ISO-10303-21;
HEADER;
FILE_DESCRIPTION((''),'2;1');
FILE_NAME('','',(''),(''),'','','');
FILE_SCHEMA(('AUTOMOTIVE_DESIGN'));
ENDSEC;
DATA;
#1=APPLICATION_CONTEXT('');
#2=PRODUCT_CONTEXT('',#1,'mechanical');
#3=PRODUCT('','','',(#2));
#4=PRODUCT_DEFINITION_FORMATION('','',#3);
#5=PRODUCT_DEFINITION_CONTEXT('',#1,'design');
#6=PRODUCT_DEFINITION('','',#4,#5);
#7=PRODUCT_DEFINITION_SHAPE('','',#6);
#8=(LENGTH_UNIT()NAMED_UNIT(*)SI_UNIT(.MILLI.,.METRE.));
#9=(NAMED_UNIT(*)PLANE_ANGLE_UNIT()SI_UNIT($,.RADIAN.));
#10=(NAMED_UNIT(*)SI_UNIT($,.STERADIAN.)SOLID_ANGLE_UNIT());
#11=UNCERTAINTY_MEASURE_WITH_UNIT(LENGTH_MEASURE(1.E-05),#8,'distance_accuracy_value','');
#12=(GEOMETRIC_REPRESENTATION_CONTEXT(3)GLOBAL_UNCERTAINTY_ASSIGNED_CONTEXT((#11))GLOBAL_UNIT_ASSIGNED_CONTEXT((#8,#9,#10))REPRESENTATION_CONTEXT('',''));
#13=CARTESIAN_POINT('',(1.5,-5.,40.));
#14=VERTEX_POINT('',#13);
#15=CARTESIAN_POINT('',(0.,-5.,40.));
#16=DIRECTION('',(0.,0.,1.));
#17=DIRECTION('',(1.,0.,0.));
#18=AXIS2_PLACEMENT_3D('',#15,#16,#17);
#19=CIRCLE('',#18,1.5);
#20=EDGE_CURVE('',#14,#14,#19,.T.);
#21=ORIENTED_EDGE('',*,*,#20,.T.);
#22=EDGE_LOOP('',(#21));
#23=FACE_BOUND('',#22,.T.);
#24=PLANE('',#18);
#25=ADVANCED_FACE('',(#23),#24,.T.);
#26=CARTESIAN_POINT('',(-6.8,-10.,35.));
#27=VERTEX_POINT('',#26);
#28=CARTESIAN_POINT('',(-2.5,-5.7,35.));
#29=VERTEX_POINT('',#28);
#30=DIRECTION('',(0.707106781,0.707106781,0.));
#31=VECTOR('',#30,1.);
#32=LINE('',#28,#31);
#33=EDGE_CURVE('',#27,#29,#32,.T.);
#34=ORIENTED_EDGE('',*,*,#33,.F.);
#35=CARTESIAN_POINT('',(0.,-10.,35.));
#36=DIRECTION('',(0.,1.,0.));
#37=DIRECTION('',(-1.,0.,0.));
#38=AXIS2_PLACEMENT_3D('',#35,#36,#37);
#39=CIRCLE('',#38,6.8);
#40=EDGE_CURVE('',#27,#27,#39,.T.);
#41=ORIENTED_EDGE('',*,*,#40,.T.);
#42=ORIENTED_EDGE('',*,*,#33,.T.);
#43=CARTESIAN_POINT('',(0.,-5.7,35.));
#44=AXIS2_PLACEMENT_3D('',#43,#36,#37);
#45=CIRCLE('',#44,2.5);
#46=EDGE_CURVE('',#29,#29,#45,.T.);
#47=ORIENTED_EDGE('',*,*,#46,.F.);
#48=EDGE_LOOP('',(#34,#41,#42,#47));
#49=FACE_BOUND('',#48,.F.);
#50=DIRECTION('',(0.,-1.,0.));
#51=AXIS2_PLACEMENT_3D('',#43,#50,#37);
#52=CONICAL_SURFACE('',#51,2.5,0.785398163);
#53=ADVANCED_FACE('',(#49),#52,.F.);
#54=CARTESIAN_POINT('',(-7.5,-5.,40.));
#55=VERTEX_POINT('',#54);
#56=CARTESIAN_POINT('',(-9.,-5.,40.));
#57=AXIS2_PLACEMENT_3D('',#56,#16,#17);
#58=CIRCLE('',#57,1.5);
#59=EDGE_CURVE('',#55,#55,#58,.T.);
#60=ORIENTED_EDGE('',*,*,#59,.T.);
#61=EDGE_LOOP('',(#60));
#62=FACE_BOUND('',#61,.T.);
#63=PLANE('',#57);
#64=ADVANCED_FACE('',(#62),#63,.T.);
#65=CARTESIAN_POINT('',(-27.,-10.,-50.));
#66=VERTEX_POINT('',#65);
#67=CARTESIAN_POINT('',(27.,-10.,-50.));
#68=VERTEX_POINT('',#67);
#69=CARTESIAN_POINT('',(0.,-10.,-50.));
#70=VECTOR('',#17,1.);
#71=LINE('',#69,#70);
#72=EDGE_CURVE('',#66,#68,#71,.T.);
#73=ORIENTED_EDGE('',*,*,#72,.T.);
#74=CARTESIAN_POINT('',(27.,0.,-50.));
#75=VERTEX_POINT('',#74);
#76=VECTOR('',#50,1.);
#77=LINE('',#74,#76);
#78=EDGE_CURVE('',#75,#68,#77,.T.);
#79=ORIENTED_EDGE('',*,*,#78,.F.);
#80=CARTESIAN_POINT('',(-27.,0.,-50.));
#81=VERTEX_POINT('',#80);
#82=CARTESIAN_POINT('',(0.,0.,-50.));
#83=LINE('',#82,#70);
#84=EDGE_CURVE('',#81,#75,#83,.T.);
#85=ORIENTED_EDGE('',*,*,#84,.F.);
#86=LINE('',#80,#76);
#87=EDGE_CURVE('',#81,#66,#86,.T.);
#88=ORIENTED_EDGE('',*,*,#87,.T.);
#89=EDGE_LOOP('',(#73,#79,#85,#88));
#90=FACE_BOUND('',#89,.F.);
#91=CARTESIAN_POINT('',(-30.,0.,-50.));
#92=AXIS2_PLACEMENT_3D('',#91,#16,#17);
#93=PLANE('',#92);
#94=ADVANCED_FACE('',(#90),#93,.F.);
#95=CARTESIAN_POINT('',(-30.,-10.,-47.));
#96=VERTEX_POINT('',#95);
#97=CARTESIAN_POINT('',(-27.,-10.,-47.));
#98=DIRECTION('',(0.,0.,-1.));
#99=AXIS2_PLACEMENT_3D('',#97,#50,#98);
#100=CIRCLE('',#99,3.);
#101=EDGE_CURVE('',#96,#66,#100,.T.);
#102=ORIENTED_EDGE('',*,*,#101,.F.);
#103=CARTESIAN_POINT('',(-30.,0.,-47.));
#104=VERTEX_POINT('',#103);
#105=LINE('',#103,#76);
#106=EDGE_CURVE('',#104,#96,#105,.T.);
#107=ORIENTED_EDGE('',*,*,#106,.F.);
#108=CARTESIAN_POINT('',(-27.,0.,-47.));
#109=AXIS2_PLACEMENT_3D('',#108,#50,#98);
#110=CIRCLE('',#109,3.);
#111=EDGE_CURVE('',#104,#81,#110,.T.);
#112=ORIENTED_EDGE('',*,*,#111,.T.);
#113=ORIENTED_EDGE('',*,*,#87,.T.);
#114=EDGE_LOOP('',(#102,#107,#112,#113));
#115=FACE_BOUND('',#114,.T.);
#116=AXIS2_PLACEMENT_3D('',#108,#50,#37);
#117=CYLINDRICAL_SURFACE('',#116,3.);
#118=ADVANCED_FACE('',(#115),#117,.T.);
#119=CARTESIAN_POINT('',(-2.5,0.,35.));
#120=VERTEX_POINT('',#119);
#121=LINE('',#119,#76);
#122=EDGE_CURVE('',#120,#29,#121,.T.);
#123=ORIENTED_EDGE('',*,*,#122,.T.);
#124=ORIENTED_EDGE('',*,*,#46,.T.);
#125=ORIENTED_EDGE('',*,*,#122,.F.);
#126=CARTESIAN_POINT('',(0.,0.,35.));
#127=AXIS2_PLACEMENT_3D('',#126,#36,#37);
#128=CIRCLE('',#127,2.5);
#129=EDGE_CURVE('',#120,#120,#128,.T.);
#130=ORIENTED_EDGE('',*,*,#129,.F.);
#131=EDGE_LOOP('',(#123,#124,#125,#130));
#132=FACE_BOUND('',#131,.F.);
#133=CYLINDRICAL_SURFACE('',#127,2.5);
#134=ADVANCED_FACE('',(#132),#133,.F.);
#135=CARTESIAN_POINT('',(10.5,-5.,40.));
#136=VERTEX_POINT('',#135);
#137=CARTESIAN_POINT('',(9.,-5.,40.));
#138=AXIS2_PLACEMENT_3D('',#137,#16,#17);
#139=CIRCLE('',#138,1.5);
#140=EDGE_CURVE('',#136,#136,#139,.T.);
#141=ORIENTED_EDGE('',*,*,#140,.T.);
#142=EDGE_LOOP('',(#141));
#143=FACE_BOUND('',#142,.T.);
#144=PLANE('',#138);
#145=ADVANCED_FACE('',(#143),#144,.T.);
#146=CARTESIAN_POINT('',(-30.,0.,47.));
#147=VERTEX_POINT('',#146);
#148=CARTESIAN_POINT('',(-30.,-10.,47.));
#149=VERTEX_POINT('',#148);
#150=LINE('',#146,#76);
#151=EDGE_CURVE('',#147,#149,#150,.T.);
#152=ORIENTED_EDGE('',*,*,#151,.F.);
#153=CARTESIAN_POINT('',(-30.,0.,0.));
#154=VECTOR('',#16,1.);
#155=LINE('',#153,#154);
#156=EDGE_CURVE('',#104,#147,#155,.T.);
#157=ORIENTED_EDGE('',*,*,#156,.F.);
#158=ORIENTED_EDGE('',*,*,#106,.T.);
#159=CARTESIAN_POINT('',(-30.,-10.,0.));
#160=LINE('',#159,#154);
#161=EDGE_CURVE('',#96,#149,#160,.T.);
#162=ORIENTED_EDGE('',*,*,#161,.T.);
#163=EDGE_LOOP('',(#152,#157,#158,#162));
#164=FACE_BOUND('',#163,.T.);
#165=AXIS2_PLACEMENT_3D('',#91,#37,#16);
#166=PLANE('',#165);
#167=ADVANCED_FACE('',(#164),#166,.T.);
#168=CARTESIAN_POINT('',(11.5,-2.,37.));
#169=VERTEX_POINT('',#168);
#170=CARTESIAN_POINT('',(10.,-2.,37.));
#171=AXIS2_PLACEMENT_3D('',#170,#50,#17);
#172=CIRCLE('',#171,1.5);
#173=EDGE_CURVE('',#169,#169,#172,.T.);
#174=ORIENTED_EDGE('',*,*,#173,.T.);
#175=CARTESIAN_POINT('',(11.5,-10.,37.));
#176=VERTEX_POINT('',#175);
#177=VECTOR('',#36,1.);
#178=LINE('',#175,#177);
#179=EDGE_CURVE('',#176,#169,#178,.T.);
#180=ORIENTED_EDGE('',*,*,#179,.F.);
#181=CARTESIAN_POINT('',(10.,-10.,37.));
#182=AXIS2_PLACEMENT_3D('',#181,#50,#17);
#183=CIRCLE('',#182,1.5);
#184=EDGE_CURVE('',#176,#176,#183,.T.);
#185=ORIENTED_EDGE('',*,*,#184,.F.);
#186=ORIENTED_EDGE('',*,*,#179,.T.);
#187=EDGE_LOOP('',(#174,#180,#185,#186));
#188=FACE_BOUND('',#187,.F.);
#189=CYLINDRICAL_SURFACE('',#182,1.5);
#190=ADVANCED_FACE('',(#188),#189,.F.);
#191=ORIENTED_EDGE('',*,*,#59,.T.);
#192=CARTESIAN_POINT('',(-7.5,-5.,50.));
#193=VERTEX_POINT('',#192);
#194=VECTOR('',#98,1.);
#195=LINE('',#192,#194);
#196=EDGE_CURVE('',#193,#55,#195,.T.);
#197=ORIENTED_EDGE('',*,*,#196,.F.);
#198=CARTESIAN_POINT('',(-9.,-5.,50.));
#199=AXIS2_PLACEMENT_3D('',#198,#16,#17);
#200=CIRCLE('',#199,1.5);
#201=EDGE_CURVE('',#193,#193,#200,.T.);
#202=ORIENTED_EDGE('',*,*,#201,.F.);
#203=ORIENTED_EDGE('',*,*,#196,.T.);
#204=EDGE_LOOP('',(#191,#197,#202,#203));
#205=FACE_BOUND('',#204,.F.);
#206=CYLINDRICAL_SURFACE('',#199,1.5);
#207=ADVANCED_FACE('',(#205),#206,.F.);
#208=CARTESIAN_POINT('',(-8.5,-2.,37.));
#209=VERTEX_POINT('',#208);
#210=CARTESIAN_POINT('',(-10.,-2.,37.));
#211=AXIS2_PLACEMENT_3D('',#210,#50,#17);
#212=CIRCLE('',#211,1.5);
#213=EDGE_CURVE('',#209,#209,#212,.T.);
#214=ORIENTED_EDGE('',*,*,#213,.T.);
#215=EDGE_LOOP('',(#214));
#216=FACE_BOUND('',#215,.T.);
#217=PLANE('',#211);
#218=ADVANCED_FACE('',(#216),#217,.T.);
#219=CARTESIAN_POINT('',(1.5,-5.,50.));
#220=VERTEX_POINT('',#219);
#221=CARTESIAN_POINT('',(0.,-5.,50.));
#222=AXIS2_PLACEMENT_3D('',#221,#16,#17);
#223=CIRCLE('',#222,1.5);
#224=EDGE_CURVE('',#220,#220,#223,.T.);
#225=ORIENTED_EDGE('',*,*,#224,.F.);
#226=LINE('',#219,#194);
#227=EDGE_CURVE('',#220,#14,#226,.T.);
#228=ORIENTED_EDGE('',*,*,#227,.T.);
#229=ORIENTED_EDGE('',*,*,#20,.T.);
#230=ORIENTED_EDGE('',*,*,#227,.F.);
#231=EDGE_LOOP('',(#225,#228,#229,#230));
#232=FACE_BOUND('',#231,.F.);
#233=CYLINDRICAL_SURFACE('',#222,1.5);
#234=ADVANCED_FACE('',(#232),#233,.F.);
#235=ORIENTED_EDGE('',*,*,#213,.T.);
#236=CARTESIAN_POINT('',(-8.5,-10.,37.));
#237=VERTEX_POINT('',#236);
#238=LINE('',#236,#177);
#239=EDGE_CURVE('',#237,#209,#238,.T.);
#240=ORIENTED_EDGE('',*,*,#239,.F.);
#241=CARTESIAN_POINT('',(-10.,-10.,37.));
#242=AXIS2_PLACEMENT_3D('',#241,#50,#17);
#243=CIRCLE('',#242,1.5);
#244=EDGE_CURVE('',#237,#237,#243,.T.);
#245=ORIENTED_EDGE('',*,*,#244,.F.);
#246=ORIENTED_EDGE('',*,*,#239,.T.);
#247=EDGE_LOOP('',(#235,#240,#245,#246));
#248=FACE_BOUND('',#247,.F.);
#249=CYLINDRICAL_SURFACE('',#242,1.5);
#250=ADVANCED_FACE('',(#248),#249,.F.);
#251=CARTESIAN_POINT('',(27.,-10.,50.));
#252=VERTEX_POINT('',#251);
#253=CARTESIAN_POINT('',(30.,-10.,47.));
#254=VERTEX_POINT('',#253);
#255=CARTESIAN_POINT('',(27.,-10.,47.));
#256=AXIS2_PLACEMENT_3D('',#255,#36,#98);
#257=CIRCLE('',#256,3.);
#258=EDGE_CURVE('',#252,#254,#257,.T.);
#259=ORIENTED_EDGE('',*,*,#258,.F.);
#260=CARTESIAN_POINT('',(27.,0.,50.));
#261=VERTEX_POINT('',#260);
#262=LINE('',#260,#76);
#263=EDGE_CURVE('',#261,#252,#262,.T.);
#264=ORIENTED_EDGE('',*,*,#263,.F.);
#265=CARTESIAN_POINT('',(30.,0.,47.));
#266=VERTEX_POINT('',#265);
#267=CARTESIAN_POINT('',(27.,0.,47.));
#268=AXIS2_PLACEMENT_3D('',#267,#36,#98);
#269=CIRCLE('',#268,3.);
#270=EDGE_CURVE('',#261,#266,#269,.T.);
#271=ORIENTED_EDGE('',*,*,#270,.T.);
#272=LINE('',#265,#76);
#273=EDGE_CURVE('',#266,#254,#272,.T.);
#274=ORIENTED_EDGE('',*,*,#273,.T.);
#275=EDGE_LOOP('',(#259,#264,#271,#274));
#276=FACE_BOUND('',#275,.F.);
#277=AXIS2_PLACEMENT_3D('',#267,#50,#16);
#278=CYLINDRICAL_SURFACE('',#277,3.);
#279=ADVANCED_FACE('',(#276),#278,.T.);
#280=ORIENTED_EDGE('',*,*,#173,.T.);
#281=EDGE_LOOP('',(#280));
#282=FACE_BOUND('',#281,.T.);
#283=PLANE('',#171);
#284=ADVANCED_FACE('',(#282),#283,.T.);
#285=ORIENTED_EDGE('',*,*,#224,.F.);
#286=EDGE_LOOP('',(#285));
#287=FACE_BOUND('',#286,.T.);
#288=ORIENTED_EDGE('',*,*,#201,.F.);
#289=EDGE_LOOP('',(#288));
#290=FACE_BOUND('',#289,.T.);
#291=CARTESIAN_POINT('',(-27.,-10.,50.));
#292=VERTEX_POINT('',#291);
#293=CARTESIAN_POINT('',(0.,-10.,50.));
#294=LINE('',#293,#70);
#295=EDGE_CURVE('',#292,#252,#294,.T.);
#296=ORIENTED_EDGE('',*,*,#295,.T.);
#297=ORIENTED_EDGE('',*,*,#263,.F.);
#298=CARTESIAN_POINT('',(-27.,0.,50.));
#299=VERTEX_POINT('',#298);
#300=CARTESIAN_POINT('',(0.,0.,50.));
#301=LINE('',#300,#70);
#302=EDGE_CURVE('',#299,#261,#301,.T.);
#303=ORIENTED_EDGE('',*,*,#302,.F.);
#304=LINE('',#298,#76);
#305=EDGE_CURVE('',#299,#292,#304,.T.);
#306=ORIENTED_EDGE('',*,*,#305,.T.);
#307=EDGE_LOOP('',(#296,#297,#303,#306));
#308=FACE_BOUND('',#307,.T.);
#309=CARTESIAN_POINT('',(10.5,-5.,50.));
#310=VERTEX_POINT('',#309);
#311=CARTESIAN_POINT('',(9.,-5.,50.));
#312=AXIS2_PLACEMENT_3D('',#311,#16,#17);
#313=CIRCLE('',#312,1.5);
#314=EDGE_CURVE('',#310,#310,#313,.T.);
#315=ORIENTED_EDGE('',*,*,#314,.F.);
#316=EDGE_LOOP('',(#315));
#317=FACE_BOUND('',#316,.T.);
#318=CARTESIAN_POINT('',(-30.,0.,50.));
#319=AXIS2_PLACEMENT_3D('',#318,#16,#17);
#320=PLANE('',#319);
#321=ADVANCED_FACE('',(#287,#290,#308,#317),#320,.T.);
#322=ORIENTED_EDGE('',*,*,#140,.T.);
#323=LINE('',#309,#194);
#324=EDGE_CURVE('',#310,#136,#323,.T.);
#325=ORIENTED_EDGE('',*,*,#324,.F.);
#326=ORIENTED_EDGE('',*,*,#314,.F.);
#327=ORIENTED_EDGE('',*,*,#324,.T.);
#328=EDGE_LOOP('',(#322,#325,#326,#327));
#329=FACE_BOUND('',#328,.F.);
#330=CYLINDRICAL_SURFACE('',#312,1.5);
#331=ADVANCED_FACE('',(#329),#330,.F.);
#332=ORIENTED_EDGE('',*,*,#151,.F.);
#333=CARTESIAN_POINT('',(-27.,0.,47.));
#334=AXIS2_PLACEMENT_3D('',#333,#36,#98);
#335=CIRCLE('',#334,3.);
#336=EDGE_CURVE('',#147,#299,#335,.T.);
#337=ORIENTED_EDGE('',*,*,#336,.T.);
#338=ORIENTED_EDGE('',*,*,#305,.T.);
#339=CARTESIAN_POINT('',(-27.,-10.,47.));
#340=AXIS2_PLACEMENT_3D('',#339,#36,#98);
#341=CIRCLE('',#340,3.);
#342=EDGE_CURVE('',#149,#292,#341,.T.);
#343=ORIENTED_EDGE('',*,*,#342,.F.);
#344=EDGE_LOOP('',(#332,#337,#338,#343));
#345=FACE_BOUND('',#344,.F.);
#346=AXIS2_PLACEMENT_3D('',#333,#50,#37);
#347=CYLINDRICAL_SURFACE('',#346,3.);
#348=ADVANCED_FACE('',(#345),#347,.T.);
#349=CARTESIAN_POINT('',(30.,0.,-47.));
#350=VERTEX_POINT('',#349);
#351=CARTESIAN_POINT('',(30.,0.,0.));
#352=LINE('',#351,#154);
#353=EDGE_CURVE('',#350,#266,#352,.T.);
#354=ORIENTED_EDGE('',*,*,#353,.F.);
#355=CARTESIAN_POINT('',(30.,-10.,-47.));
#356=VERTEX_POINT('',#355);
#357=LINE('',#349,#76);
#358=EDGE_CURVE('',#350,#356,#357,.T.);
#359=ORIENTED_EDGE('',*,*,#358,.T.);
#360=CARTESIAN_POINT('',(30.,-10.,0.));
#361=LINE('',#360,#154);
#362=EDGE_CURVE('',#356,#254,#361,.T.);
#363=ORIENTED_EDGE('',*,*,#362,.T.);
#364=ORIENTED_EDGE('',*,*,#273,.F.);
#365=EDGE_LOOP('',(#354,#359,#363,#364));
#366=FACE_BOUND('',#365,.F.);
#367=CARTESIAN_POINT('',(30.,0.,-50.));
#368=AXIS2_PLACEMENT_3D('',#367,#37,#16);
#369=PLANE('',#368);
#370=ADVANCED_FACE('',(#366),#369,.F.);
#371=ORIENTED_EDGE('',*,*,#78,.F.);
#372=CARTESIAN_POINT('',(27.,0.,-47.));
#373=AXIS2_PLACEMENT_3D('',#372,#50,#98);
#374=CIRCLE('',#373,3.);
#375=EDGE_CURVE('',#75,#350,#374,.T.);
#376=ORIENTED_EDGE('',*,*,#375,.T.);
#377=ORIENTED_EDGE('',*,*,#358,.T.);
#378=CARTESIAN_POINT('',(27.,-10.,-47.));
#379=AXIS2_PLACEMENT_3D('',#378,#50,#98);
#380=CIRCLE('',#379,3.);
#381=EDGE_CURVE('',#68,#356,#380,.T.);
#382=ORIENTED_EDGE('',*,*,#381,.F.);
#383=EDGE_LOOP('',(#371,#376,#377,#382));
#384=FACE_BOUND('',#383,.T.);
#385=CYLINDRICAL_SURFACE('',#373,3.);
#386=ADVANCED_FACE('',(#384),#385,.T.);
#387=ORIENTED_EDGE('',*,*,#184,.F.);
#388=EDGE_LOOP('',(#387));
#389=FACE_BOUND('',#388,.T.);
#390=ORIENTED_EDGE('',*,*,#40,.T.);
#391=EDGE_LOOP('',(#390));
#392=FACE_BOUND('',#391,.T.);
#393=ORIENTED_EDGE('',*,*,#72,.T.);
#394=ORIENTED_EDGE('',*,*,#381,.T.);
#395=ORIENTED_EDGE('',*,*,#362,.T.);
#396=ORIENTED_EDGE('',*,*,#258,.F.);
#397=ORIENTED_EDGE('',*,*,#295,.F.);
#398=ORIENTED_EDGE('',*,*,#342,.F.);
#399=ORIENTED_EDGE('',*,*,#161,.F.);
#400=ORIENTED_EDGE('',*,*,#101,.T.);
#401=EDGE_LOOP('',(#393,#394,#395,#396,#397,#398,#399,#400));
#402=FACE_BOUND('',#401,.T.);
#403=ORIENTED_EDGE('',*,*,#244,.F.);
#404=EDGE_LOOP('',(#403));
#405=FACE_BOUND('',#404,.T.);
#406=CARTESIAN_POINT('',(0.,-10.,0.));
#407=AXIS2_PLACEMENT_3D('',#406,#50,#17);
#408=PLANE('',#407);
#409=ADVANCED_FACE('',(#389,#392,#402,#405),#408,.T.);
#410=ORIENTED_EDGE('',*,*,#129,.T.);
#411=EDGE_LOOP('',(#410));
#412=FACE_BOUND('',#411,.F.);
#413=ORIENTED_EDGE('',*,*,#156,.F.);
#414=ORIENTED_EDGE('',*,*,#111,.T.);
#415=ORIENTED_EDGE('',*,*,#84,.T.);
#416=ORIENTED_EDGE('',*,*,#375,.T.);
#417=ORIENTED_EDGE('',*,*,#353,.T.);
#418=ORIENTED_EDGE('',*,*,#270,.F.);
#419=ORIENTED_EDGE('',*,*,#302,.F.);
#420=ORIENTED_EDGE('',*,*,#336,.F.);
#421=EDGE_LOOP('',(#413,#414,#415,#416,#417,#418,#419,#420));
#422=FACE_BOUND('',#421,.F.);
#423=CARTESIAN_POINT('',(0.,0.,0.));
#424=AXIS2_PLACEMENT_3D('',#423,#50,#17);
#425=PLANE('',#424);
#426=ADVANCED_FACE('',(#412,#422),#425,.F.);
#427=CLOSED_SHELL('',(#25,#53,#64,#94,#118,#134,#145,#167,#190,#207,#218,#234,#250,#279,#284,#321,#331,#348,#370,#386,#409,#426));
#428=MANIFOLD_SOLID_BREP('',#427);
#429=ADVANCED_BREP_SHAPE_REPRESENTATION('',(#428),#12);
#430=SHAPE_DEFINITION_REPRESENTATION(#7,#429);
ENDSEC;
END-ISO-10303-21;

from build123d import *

# Parameters (mm, degrees)
F0_W     = 60
F0_H     = 100
F1_DEPTH = 10
F2_R     = 1.5
F3_DEPTH = 8
F4_R     = 1.5
F5_DEPTH = 10
F6_R     = 2.5
F7_DEPTH = 25
F8_SIZE  = 4.3
F9_R     = 3


with BuildPart() as f1:
    # F0 (on Front) → F1 (new body)
    with BuildSketch(Plane.XZ):
        Rectangle(F0_W, F0_H)
    extrude(amount=F1_DEPTH)

    # F2 (on face) → F3 (cut)
    with BuildSketch(Plane.XZ.offset(10)):
        with Locations((10, 37)):
            Circle(F2_R)
        with Locations((-10, 37)):
            Circle(F2_R)
    extrude(amount=-F3_DEPTH, mode=Mode.SUBTRACT)

    # F4 (on face) → F5 (cut)
    with BuildSketch(Plane.XY.offset(50)):
        with Locations((9, -5)):
            Circle(F4_R)
        with Locations((0, -5)):
            Circle(F4_R)
        with Locations((-9, -5)):
            Circle(F4_R)
    extrude(amount=-F5_DEPTH, mode=Mode.SUBTRACT)

    # F6 (on face) → F7 (cut)
    with BuildSketch(Plane(origin=(0, 0, 0), x_dir=(-1, 0, 0), z_dir=(0, 1, 0))):
        with Locations((0, 35)):
            Circle(F6_R)
    extrude(amount=-F7_DEPTH, mode=Mode.SUBTRACT)

    # F8
    f8_edges = [f1.edges().sort_by_distance(p)[0] for p in [
        (2.5, -10, 35),
    ]]
    chamfer(f8_edges, length=F8_SIZE)

    # F9
    f9_edges = [f1.edges().sort_by_distance(p)[0] for p in [
        (30, -5, -50),
        (-30, -5, -50),
        (-30, -5, 50),
        (30, -5, 50),
    ]]
    fillet(f9_edges, radius=F9_R)


solid = f1.part
